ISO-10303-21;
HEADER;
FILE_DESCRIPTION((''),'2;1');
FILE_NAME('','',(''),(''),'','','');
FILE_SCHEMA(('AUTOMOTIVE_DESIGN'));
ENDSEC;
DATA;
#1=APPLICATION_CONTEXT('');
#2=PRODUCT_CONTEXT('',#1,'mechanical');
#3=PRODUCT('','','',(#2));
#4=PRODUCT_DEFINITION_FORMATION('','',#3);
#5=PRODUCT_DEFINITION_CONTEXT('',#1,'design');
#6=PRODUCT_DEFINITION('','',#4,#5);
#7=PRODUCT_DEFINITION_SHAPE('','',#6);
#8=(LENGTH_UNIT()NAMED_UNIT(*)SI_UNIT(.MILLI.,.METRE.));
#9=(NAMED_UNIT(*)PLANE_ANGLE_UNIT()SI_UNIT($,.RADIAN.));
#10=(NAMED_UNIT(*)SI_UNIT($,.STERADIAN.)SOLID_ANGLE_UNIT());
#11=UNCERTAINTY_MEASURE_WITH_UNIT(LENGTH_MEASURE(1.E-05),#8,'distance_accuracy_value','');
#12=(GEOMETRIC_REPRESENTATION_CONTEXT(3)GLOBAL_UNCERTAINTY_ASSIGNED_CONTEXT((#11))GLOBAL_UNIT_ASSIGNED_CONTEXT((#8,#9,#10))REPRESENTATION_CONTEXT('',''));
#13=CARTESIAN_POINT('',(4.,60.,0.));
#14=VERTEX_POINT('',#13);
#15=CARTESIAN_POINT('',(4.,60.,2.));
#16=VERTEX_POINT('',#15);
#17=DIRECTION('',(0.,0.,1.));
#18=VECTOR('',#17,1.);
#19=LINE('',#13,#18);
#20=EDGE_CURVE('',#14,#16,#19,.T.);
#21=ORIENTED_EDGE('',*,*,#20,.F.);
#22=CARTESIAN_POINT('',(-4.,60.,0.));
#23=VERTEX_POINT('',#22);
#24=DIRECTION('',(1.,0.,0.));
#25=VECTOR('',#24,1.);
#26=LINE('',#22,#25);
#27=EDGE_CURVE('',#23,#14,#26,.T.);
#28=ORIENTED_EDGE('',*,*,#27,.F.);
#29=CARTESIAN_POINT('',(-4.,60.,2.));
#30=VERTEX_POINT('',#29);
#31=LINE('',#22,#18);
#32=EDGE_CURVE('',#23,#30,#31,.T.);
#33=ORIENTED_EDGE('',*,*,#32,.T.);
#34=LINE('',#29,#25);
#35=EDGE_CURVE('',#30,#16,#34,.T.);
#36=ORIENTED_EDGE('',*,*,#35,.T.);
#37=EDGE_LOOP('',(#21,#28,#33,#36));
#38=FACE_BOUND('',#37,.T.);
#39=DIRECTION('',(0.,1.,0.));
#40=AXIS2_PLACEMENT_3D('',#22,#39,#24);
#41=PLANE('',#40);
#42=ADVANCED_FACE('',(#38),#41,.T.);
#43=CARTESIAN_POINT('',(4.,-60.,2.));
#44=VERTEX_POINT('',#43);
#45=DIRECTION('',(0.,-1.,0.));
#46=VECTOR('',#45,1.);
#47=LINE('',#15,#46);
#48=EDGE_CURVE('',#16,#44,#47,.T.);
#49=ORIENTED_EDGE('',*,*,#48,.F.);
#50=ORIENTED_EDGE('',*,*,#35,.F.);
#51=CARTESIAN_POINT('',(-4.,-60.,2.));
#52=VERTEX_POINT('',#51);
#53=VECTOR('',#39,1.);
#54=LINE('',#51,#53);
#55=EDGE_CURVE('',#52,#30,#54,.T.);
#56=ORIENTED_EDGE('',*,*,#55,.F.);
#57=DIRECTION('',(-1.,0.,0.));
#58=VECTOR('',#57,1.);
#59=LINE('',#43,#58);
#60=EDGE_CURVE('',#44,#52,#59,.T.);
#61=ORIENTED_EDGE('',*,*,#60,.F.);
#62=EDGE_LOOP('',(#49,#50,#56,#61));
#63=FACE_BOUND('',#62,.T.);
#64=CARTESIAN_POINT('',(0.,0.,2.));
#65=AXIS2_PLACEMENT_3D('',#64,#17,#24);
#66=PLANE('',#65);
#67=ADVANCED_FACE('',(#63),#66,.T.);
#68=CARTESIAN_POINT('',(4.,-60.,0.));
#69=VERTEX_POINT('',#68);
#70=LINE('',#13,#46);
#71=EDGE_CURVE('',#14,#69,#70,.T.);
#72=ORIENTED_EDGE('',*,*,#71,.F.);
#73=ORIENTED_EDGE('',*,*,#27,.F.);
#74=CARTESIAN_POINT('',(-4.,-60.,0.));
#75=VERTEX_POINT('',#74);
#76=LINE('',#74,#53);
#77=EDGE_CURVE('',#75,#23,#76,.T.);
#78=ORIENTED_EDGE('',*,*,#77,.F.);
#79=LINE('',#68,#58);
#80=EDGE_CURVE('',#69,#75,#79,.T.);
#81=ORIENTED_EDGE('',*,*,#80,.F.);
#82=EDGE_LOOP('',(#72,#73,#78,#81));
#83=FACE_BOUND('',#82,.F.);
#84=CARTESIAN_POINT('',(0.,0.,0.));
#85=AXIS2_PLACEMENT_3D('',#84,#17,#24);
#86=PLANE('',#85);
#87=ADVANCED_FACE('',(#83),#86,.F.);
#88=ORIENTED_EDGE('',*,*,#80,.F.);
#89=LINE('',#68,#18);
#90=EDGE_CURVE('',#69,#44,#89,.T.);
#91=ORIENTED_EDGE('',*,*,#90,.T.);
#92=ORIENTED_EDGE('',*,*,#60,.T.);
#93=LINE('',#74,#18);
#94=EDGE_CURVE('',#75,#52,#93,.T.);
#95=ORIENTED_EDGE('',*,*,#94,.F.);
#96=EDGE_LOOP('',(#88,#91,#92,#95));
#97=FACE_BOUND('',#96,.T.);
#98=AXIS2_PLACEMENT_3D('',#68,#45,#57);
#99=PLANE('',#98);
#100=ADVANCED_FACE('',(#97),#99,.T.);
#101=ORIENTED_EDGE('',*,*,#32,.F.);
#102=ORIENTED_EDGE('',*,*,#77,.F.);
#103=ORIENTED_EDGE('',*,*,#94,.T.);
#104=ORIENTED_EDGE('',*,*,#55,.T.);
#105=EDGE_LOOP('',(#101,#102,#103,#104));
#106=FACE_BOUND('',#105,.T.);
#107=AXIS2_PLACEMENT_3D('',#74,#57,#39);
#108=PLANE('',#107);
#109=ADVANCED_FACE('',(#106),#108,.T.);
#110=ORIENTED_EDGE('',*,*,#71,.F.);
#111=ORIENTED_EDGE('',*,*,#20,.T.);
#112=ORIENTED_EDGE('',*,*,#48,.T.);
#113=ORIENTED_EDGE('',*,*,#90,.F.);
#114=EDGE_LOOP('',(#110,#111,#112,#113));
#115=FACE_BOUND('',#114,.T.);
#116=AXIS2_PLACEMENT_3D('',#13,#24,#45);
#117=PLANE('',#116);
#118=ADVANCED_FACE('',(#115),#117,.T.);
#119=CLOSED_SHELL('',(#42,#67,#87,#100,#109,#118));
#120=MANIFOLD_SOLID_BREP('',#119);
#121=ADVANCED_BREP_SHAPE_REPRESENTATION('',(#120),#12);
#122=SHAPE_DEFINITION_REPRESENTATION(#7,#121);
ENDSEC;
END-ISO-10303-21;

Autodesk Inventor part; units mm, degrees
ref_plane "YZ Plane" through (0, 0, 0) normal (1, 0, 0) x (0, 1, 0)
ref_plane "XZ Plane" through (0, 0, 0) normal (0, 1, 0) x (-1, 0, 0)
ref_plane "XY Plane" through (0, 0, 0) normal (0, 0, 1) x (1, 0, 0)
sketch "Sketch1" plane through (0, 0, 0) normal (0, 0, 1) x (1, 0, 0)
  line L0 (-4, 60) -> (4, 60)
  line L1 (4, 60) -> (4, -60)
  line L2 (4, -60) -> (-4, -60)
  line L3 (-4, -60) -> (-4, 60)
  point P0 (0, 0)
  point P1 (0, 60)
  point P2 (4, 0)
  dimension "d0" = 120
  dimension "d1" = 8
extrude "Extrusion1" add sketch "Sketch1" along normal blind 2
properties part number "Pieza Prueba Small"
